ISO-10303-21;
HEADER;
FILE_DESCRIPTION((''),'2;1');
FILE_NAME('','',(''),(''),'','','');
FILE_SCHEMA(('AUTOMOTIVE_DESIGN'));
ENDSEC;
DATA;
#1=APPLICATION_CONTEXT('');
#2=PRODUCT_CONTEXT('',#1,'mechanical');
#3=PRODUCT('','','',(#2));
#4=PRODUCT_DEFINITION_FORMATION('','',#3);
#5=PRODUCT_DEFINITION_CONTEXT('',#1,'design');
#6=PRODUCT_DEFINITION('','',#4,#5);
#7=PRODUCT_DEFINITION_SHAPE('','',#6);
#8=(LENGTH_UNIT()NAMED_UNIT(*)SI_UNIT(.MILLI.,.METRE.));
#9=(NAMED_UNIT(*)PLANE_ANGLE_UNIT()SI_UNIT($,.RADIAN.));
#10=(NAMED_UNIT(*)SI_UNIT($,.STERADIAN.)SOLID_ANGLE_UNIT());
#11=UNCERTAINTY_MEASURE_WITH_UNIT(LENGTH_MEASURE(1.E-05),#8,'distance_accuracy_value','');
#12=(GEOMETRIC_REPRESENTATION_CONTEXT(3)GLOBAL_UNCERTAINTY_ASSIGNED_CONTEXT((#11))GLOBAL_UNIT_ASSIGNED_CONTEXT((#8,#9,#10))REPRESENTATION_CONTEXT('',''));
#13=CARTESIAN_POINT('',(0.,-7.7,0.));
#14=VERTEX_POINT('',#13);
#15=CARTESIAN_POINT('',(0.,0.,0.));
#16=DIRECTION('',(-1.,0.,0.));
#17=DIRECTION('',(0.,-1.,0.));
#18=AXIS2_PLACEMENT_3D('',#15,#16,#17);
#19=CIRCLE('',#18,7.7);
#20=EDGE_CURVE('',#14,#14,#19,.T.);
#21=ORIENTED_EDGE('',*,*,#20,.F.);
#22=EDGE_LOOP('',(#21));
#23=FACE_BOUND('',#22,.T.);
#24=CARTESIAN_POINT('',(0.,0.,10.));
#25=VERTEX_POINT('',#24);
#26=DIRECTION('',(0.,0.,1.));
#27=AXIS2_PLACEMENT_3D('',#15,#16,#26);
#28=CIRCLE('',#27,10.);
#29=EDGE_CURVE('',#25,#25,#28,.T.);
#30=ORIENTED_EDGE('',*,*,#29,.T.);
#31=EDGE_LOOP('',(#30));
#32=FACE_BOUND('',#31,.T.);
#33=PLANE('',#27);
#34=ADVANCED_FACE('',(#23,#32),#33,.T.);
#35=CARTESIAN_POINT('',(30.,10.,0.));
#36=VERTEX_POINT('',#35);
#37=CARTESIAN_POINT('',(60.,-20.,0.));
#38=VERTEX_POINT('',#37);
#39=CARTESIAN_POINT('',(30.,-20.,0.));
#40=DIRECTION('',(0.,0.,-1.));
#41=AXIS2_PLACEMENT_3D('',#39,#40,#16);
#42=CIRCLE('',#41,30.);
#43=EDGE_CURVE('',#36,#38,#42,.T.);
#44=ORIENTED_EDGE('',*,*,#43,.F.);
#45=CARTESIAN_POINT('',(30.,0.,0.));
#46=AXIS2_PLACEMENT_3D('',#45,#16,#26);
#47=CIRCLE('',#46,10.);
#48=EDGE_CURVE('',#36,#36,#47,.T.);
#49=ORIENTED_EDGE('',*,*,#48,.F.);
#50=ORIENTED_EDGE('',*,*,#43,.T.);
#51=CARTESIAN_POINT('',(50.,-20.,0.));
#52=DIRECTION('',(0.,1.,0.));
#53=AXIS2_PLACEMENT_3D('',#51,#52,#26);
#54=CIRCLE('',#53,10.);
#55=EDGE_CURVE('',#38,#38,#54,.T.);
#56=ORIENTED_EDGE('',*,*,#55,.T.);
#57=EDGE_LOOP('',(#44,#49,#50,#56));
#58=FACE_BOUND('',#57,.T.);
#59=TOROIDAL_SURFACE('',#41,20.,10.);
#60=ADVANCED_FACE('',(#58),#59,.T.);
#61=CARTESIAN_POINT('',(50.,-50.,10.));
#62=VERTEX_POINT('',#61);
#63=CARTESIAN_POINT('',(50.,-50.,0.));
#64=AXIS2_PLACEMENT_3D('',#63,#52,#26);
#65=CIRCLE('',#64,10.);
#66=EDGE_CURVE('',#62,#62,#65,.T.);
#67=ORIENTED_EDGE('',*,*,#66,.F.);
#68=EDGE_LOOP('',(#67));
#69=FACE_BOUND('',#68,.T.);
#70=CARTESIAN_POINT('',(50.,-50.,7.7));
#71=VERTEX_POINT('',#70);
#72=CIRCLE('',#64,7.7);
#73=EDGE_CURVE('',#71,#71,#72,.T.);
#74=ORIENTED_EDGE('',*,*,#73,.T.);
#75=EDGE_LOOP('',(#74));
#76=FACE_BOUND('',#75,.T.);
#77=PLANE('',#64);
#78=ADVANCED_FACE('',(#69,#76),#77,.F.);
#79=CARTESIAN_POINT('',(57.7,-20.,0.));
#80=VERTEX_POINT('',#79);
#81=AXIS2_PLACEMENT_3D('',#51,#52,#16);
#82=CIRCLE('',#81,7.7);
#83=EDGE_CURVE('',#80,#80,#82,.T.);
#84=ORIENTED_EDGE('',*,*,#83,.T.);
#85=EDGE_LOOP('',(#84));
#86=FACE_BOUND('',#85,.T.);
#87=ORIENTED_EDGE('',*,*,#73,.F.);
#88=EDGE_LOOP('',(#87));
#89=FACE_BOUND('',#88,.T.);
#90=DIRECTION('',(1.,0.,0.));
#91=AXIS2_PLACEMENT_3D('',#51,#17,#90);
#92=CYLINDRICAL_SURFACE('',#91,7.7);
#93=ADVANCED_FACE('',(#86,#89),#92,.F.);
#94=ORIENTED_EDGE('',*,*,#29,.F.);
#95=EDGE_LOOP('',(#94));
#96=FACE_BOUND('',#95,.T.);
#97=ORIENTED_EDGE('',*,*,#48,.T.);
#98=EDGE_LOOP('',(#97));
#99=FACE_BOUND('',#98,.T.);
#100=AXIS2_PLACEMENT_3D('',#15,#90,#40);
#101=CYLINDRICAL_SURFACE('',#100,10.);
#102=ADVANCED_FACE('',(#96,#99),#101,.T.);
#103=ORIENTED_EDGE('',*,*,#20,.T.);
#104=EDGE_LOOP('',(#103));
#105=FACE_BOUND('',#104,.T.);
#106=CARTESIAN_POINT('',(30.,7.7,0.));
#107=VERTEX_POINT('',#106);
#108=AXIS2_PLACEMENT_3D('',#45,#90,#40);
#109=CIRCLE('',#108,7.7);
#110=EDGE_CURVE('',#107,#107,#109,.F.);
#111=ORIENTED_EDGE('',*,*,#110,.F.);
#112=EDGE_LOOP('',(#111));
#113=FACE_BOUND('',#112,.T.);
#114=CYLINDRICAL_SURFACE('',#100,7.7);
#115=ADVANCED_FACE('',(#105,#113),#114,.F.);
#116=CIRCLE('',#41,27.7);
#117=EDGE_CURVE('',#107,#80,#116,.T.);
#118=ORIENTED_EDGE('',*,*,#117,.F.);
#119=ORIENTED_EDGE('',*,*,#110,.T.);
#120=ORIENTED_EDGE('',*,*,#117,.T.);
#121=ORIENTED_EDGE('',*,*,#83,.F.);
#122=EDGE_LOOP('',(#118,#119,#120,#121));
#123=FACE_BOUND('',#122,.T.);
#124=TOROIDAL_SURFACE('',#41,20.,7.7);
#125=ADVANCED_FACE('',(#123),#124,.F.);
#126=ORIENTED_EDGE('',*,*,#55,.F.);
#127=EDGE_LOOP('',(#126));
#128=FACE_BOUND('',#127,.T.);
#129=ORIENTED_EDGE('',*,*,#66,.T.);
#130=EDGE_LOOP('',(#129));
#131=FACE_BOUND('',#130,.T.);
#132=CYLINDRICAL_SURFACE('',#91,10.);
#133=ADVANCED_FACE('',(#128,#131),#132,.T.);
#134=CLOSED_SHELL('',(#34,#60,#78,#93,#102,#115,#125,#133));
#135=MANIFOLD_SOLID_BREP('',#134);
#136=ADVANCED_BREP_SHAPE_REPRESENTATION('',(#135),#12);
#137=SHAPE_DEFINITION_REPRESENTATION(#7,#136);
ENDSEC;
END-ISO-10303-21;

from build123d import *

# Parameters (mm, degrees)
SWEEP1_PROFILE_R = 10
SHELL4_T         = -2.3


with BuildPart() as part:
    # Sweep1: sweep along a path in Sketch1
    with BuildLine(Plane.XY) as sweep1_path:
        Line((0, 0), (30, 0))
        ThreePointArc((30, 0), (44.142135624, -5.857864376), (50, -20))
        Line((50, -20), (50, -50))
    # Sweep1 profile (on start of the path) → Sweep1 (sweep)
    with BuildSketch(Plane(origin=(0, 0, 0), x_dir=(0, 0, 1), z_dir=(1, 0, 0))):
        Circle(SWEEP1_PROFILE_R)
    sweep(path=sweep1_path.line)

    # Shell4
    shell4_openings = [part.faces().sort_by_distance(p)[0] for p in [
        (50, -50, 0),
        (0, 0, 0),
    ]]
    offset(amount=SHELL4_T, openings=shell4_openings, kind=Kind.INTERSECTION)


solid = part.part
